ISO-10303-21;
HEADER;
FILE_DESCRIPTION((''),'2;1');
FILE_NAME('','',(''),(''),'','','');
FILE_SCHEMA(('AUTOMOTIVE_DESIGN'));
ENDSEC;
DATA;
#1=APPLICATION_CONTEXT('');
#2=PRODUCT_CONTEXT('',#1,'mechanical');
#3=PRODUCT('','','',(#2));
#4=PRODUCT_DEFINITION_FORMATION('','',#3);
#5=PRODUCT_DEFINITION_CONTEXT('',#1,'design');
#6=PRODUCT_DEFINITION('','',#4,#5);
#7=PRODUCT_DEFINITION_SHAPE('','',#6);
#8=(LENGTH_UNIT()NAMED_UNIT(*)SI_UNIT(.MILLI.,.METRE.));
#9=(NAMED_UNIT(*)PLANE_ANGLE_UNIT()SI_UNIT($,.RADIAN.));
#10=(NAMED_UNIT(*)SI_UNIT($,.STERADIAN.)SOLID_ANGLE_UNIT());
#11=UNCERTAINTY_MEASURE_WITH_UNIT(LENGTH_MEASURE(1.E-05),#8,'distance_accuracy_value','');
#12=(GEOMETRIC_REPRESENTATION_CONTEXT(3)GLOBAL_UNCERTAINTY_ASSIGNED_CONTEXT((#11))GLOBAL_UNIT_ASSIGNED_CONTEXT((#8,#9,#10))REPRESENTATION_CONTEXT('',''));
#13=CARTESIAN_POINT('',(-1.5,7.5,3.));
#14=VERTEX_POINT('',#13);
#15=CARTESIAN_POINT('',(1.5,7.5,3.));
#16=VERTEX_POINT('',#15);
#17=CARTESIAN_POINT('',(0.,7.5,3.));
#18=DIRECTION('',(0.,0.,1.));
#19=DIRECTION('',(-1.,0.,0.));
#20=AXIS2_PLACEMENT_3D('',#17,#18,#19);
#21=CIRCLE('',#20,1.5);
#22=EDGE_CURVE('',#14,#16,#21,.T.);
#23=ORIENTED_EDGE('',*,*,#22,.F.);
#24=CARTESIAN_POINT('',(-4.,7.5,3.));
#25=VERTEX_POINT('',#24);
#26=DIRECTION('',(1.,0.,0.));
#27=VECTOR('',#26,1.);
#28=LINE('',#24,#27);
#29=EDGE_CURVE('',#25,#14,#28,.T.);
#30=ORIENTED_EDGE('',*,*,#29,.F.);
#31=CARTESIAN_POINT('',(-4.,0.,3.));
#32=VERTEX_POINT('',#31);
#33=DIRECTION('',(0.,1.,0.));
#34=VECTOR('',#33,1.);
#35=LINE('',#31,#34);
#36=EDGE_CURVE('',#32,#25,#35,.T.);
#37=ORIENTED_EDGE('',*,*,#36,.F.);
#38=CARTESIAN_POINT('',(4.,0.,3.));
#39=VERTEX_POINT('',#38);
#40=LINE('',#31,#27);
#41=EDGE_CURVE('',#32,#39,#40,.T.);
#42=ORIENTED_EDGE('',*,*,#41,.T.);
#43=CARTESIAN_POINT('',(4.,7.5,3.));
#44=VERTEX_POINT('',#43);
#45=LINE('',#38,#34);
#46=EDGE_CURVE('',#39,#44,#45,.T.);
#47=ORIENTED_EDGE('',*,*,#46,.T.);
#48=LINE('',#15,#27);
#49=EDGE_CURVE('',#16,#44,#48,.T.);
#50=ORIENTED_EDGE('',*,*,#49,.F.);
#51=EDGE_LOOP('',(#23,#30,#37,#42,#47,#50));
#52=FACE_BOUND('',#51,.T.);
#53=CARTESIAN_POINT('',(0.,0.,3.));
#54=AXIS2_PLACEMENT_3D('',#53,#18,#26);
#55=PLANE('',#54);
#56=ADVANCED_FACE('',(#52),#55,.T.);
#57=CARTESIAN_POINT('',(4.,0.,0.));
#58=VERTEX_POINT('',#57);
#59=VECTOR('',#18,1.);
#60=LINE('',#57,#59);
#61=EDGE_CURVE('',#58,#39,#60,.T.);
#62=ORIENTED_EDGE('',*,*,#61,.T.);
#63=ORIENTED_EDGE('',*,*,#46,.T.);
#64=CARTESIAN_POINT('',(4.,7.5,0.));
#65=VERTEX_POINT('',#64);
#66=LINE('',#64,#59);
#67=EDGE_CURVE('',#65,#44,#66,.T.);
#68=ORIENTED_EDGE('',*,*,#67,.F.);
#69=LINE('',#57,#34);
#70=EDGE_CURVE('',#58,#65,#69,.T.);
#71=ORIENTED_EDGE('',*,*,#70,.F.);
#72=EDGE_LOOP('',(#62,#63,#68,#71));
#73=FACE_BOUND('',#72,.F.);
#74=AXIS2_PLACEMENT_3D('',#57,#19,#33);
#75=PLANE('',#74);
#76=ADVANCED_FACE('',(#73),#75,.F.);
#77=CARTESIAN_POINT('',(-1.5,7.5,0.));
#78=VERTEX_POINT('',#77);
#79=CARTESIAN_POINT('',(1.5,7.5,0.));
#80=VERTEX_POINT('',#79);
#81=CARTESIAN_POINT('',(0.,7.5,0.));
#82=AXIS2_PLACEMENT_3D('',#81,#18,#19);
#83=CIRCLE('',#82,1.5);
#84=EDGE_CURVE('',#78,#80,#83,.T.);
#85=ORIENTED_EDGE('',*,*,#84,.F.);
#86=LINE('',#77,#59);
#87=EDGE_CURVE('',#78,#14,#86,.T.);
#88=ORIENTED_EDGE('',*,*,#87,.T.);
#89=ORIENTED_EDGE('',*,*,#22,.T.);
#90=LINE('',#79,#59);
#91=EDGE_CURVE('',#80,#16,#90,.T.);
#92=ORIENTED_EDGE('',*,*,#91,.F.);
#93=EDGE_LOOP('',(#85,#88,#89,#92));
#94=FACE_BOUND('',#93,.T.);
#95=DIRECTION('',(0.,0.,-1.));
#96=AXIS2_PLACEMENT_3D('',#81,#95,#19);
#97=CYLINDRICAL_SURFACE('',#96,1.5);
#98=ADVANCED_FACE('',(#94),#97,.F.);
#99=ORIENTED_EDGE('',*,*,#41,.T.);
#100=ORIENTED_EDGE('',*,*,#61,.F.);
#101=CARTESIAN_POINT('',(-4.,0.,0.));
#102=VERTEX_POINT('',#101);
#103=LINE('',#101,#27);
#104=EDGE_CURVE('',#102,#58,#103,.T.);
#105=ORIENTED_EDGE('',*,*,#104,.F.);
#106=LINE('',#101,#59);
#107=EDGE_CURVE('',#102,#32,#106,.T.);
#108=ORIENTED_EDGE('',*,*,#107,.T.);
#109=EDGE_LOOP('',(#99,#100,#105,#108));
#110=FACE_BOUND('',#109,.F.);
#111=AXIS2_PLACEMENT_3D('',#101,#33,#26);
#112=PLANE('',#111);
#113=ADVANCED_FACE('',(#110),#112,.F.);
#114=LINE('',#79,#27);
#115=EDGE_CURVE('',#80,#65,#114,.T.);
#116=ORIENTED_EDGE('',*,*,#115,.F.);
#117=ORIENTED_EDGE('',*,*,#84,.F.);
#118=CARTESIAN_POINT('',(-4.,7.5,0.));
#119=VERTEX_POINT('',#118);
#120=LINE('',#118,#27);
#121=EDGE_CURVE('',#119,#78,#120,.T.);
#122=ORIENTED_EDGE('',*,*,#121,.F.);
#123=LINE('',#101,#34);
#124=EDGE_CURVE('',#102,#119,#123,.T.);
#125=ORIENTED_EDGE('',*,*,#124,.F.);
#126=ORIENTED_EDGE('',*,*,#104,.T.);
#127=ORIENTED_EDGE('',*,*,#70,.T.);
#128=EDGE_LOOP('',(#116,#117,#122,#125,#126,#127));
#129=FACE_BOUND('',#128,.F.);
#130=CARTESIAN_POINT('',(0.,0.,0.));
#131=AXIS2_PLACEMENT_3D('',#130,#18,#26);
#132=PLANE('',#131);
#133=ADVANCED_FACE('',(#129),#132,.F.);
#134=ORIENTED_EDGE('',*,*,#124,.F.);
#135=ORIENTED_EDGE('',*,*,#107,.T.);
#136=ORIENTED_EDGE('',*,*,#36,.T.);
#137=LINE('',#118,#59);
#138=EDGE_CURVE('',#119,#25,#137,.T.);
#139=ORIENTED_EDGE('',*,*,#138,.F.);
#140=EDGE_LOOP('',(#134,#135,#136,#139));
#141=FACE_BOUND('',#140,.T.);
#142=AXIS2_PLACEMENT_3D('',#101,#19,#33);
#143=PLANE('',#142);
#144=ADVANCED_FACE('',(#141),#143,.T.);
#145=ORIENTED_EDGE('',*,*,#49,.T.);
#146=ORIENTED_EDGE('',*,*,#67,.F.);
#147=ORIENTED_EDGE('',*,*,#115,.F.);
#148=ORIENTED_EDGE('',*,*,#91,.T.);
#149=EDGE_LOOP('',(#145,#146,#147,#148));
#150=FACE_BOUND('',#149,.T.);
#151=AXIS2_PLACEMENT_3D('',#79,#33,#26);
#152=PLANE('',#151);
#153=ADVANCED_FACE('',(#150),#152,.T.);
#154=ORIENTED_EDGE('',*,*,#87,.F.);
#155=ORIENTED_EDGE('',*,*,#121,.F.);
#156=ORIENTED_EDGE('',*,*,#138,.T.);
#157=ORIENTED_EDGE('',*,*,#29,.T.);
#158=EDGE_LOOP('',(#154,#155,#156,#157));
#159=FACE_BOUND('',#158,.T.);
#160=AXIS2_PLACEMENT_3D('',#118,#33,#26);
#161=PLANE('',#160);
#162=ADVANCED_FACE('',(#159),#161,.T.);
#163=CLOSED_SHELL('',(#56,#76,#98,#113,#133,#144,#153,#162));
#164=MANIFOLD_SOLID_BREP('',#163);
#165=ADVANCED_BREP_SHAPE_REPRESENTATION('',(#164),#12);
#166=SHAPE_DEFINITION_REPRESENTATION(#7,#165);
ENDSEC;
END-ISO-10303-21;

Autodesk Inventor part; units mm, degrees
ref_plane "YZ Plane" through (0, 0, 0) normal (1, 0, 0) x (0, 1, 0)
ref_plane "XZ Plane" through (0, 0, 0) normal (0, 1, 0) x (-1, 0, 0)
ref_plane "XY Plane" through (0, 0, 0) normal (0, 0, 1) x (1, 0, 0)
sketch "草图1" plane through (0, 0, 0) normal (0, 0, 1) x (1, 0, 0)
  line L0 (-4, 0) -> (4, 0)
  line L1 (-4, 0) -> (-4, 7.5)
  line L2 (4, 0) -> (4, 7.5)
  arc A0 (-1.5, 7.5) -> (1.5, 7.5) centre (0, 7.5) ccw
  line L3 (-4, 7.5) -> (-1.5, 7.5)
  line L4 (1.5, 7.5) -> (4, 7.5)
  line L5 (0, 7.5) -> (0, 0) construction
  dimension "长度" = 8
  dimension "高度" = 7.5
  dimension "d3" = 7.5
  dimension "孔径" = 3
  dimension "d5" = 7.5
extrude "拉伸1" add sketch "草图1" along normal blind 3
equation "\"d3\" = 高度"
equation "\"d5\" = 高度"
properties part number "顶杆支架" material "木材(桦木)"
